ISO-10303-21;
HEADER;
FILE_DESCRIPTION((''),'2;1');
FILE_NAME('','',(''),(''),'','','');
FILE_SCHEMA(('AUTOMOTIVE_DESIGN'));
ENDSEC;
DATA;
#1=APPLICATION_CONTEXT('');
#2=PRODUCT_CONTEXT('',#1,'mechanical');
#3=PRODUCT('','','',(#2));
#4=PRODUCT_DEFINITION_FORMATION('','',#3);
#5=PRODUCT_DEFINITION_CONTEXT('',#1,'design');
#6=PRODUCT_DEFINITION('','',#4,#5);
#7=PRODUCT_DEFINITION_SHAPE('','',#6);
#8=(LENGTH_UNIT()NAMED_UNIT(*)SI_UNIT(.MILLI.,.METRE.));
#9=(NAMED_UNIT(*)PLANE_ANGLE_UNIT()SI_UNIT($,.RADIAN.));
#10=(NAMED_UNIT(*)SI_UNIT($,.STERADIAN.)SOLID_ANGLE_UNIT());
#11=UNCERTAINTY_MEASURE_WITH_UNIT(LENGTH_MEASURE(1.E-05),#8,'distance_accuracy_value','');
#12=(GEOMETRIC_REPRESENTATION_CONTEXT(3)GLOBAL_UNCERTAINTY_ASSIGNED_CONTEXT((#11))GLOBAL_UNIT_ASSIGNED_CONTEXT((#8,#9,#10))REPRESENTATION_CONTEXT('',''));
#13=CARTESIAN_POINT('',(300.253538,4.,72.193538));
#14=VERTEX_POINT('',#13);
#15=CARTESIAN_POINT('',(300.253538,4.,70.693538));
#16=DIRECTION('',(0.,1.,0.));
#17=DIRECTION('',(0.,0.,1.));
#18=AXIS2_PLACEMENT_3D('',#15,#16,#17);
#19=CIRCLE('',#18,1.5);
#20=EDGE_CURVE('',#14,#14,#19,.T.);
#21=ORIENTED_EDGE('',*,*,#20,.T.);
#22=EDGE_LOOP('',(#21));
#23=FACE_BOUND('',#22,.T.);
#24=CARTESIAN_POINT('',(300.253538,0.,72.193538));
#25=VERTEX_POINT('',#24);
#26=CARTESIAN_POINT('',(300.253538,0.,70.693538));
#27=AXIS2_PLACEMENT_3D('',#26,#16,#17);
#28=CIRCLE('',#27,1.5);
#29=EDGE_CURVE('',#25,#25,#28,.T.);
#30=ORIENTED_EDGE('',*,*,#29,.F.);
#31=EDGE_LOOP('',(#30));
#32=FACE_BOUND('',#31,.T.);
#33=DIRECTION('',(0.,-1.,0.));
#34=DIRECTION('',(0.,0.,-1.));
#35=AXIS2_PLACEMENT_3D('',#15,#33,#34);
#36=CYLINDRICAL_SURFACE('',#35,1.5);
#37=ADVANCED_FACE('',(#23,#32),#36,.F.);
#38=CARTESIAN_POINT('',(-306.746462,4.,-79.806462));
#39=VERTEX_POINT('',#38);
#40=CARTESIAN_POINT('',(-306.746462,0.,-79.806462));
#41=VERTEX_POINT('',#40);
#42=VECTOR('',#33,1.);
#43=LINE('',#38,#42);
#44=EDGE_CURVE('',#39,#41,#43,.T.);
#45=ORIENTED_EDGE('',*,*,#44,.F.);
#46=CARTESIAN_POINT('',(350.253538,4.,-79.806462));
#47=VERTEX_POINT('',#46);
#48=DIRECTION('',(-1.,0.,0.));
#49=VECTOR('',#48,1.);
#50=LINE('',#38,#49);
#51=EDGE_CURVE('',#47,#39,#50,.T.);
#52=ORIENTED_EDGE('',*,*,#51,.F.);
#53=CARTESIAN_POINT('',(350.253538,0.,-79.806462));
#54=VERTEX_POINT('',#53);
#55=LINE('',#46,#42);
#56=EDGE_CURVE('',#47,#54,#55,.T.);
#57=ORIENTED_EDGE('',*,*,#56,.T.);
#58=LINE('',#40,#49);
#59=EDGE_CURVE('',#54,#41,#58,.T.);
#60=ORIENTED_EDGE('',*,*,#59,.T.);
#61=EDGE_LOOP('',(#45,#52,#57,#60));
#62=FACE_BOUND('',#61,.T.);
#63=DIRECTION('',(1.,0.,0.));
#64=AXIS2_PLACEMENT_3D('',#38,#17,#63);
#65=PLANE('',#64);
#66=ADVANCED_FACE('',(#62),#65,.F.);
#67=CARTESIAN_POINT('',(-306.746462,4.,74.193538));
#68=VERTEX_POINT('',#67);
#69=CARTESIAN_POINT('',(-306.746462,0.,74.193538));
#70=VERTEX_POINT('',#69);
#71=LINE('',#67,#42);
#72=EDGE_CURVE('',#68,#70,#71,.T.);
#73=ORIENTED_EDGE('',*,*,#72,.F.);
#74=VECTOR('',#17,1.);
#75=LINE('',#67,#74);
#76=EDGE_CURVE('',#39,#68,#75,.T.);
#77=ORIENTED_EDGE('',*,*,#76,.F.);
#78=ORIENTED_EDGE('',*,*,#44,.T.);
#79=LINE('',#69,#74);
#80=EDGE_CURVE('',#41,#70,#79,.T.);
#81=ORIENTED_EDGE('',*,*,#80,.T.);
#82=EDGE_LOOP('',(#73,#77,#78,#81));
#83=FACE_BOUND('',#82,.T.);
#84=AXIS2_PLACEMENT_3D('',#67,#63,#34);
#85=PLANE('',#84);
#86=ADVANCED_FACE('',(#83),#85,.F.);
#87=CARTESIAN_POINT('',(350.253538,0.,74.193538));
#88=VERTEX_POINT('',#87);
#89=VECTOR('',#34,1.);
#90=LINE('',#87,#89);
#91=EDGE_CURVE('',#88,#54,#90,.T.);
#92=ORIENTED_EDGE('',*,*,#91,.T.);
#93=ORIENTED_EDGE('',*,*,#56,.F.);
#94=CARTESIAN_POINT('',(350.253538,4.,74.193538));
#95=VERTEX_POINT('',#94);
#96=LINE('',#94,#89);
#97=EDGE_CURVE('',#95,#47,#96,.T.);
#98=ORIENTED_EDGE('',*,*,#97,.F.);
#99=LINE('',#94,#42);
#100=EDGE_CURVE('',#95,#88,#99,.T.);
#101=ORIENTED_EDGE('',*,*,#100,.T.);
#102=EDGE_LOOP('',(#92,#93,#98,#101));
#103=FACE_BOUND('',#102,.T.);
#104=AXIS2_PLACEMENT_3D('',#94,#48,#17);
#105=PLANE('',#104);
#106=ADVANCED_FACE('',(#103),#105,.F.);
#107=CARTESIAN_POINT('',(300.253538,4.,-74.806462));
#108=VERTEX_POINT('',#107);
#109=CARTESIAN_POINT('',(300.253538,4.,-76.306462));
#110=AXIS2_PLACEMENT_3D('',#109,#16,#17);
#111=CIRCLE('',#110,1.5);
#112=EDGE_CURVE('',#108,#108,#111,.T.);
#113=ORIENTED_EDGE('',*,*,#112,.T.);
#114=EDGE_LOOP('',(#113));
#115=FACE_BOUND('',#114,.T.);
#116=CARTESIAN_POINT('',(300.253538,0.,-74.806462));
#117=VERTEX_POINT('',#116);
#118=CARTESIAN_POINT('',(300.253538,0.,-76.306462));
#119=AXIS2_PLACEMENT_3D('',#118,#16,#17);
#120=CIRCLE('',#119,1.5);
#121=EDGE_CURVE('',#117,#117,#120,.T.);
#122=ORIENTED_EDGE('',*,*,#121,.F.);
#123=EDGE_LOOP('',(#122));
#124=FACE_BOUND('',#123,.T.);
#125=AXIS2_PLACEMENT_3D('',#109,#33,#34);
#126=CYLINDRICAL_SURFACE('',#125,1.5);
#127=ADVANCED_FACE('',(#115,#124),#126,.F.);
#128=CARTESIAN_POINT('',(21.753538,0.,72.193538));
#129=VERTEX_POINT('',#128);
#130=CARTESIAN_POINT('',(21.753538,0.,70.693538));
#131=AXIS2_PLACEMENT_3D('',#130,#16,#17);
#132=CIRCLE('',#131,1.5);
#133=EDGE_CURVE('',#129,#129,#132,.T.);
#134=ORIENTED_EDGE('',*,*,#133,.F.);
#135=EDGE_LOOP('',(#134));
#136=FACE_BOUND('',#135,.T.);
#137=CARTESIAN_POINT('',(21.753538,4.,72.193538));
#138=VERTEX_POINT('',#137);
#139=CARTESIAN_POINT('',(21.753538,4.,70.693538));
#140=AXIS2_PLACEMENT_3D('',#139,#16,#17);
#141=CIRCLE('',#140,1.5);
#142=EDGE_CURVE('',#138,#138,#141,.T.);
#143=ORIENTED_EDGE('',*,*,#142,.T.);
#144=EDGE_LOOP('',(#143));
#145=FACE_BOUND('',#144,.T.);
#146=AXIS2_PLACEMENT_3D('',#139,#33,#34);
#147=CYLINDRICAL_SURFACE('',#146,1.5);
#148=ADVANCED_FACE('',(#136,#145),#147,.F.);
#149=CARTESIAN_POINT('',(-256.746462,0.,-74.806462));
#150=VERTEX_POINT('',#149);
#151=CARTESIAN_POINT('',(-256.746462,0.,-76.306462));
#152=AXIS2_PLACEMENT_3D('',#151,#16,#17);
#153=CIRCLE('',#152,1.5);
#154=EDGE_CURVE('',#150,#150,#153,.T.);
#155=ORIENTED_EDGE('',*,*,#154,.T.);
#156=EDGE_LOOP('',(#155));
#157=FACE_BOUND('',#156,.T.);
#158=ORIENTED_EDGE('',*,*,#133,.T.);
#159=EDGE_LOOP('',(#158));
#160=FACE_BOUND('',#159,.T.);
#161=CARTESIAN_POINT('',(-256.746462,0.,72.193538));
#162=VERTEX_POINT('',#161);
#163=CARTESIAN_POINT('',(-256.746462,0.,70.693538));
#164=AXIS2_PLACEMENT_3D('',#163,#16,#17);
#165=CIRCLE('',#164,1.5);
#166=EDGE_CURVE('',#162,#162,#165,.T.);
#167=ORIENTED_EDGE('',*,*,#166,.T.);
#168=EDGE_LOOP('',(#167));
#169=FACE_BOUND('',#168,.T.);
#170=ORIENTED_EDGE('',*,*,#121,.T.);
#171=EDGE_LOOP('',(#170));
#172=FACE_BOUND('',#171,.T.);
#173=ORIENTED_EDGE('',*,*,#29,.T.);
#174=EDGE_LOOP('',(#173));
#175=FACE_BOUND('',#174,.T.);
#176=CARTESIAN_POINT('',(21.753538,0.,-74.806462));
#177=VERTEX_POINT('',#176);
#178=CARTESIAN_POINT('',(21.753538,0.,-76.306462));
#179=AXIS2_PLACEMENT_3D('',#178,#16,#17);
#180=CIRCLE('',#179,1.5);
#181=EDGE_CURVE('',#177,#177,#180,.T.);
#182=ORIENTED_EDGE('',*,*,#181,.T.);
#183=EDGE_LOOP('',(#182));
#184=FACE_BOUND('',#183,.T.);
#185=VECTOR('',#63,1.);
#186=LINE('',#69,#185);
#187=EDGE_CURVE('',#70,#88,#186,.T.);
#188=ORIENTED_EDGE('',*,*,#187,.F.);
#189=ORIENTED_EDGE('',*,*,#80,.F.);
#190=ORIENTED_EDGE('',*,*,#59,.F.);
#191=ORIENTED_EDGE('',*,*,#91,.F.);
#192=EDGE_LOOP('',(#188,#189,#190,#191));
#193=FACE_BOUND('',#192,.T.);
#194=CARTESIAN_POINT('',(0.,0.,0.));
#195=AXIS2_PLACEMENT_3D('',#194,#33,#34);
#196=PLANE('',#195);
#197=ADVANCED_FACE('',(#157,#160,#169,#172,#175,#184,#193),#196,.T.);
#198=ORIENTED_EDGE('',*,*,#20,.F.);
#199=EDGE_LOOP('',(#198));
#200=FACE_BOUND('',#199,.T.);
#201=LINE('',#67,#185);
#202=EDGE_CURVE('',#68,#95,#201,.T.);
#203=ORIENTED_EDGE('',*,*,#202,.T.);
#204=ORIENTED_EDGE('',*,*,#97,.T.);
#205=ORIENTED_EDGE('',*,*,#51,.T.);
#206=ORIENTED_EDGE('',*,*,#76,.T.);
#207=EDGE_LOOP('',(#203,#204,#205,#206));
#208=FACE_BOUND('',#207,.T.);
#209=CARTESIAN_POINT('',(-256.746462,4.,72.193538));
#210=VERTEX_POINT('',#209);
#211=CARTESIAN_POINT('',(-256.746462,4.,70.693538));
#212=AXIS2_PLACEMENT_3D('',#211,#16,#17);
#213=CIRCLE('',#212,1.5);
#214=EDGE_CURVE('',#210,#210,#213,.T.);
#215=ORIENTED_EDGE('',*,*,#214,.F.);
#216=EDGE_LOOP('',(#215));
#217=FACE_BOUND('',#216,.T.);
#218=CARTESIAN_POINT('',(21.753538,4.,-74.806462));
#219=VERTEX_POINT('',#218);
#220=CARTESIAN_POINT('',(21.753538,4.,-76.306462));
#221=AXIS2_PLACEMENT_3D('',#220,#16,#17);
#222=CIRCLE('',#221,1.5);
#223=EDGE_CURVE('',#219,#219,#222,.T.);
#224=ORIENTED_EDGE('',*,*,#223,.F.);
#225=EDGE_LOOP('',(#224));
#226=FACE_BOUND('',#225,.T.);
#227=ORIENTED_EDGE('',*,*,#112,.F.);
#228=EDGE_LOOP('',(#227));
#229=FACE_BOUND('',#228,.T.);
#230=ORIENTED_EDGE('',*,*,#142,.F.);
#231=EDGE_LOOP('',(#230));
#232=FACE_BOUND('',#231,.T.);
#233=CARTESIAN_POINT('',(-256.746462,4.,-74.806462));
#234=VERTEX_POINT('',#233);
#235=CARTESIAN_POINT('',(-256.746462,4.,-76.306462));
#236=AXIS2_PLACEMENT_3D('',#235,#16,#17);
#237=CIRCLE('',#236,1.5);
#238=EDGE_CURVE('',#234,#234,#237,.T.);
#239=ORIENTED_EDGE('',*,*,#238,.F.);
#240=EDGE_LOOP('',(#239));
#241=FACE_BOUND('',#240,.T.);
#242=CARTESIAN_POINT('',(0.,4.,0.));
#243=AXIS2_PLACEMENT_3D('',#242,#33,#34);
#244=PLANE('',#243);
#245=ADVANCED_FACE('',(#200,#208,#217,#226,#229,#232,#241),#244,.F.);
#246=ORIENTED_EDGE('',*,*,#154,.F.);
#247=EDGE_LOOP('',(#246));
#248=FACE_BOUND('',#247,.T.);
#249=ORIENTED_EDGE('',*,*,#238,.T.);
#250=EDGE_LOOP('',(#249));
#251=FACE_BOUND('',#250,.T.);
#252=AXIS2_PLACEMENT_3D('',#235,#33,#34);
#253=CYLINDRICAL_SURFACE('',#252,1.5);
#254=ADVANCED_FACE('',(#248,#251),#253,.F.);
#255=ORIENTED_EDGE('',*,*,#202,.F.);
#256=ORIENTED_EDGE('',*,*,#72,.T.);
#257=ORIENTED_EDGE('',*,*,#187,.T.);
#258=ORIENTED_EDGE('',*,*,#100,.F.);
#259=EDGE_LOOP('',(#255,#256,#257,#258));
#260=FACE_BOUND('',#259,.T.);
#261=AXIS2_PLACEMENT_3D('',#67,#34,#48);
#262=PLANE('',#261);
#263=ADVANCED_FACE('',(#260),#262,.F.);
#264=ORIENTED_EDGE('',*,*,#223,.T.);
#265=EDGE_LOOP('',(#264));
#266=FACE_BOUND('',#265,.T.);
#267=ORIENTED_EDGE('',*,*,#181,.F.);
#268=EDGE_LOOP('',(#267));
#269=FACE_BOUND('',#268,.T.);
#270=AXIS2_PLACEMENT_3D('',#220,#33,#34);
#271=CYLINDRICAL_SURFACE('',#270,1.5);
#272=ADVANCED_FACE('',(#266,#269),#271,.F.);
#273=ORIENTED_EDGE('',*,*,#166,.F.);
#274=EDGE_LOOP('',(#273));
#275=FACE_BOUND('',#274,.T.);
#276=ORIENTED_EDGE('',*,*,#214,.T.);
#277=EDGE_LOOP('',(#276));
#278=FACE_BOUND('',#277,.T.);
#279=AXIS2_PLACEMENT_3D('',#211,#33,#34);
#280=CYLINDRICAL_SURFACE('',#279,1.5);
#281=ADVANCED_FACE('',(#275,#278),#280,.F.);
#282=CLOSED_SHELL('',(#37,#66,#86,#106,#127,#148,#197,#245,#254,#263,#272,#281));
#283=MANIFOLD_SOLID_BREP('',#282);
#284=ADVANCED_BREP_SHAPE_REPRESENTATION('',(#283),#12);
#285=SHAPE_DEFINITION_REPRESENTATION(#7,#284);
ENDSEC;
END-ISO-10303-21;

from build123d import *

# Parameters (mm, degrees)
SKETCH1_W           = 657
SKETCH1_H           = 154
SKETCH1_R           = 1.5
BOSS_EXTRUDE3_DEPTH = 4


with BuildPart() as part:
    # Sketch1 → Boss-Extrude3 (new body)
    with BuildSketch(Plane(origin=(0, 0, 0), x_dir=(1, 0, 0), z_dir=(0, 1, 0))):
        with Locations((21.753538462, 2.806461538)):
            Rectangle(SKETCH1_W, SKETCH1_H)
        with Locations(Location((-256.746461538, 76.306461538, 0), (0, 0, 270))):
            Circle(SKETCH1_R, mode=Mode.SUBTRACT)
        with Locations(Location((21.753538462, 76.306461538, 0), (0, 0, 270))):
            Circle(SKETCH1_R, mode=Mode.SUBTRACT)
        with Locations(Location((300.253538462, 76.306461538, 0), (0, 0, 270))):
            Circle(SKETCH1_R, mode=Mode.SUBTRACT)
        with Locations(Location((300.253538462, -70.693538462, 0), (0, 0, 270))):
            Circle(SKETCH1_R, mode=Mode.SUBTRACT)
        with Locations(Location((21.753538462, -70.693538462, 0), (0, 0, 270))):
            Circle(SKETCH1_R, mode=Mode.SUBTRACT)
        with Locations(Location((-256.746461538, -70.693538462, 0), (0, 0, 270))):
            Circle(SKETCH1_R, mode=Mode.SUBTRACT)
    extrude(amount=BOSS_EXTRUDE3_DEPTH)


solid = part.part
